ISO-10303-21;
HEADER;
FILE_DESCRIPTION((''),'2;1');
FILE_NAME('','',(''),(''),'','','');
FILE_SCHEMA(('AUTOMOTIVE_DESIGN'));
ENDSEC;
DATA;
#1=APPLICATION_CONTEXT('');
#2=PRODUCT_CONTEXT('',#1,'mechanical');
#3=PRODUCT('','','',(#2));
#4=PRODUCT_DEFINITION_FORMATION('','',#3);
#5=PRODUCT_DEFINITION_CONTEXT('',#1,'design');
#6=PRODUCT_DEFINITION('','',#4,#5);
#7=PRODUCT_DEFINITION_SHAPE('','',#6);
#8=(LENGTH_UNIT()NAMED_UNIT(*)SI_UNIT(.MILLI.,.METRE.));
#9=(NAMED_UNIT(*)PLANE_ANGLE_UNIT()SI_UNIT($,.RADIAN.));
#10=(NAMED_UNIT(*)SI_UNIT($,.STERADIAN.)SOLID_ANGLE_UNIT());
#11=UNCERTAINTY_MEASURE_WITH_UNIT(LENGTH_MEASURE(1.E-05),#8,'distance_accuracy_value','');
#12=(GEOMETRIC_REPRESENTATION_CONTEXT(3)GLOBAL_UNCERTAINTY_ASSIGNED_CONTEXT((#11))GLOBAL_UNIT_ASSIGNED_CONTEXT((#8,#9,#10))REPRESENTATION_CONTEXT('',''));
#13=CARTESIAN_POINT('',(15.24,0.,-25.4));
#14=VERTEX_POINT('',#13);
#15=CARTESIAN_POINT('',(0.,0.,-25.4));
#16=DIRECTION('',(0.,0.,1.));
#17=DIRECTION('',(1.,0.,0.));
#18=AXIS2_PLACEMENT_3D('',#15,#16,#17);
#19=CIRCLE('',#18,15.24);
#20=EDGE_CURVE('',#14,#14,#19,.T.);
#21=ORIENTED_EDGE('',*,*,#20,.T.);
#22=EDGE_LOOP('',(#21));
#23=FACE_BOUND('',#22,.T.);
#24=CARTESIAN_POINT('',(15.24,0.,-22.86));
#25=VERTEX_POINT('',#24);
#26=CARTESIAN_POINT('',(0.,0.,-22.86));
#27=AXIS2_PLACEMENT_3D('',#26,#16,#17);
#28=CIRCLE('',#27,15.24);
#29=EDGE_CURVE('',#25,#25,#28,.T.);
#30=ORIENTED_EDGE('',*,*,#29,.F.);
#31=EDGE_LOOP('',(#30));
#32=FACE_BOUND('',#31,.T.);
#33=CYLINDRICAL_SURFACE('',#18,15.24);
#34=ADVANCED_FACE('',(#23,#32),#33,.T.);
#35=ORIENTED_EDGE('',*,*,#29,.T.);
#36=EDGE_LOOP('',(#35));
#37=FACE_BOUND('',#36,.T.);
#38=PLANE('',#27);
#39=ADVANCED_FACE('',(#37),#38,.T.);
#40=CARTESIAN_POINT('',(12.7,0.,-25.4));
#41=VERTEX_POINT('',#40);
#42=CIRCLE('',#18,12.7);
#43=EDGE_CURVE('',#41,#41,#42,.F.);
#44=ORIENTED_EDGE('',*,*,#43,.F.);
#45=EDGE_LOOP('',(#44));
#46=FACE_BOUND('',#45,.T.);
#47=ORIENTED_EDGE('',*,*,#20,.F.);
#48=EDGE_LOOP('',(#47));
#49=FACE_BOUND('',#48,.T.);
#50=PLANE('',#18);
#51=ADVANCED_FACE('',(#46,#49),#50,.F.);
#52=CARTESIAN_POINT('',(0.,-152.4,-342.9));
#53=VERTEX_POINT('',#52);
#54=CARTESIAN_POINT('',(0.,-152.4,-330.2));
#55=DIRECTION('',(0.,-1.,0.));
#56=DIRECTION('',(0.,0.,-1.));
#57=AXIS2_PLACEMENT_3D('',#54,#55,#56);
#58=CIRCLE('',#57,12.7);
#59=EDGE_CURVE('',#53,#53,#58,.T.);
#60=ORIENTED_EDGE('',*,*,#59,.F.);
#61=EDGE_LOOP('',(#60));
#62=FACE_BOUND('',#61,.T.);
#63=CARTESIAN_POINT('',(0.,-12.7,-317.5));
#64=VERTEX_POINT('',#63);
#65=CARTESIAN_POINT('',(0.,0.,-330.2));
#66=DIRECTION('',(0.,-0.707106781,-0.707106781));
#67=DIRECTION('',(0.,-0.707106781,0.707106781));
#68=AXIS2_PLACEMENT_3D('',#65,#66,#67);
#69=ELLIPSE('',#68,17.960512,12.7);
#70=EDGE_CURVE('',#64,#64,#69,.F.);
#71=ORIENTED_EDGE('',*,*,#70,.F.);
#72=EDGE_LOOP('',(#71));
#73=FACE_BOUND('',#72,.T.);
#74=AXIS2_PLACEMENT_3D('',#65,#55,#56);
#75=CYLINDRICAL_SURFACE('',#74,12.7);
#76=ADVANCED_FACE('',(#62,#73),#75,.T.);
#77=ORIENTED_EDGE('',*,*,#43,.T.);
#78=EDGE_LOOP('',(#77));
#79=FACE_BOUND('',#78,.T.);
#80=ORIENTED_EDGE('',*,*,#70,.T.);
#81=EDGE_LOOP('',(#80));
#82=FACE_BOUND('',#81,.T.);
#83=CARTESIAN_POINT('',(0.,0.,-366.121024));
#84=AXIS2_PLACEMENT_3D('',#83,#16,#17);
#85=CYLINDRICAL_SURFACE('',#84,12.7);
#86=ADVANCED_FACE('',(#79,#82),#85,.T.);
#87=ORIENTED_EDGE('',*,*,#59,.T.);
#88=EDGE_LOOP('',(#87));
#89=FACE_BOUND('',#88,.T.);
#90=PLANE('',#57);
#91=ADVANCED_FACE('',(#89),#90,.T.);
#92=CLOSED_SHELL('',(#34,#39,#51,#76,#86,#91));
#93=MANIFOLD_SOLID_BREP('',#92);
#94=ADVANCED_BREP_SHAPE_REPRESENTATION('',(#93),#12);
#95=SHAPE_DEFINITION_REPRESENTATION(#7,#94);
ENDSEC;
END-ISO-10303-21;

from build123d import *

# Parameters (mm, degrees)
SKETCH2_R           = 12.7
SKETCH6_R           = 15.24
BOSS_EXTRUDE2_DEPTH = 25.4
SKETCH7_R           = 15.24
CUT_EXTRUDE1_DEPTH  = 22.86


with BuildPart() as part:
    # Sweep1: sweep along a path in Sketch1
    with BuildLine(Plane(origin=(0, 0, 0), x_dir=(0, 0, -1), z_dir=(1, 0, 0))) as sweep1_path:
        Line((0, 0), (330.2, 0))
        Line((330.2, 0), (330.2, -152.4))
    # Sketch2 → Sweep1 (sweep)
    with BuildSketch(Plane.XY):
        Circle(SKETCH2_R)
    sweep(path=sweep1_path.line, transition=Transition.RIGHT)

    # Sketch6 → Boss-Extrude2 (add)
    with BuildSketch(Plane.XY):
        Circle(SKETCH6_R)
    extrude(amount=-BOSS_EXTRUDE2_DEPTH)

    # Sketch7 → Cut-Extrude1 (cut)
    with BuildSketch(Plane.XY):
        Circle(SKETCH7_R)
    extrude(amount=-CUT_EXTRUDE1_DEPTH, mode=Mode.SUBTRACT)


solid = part.part
